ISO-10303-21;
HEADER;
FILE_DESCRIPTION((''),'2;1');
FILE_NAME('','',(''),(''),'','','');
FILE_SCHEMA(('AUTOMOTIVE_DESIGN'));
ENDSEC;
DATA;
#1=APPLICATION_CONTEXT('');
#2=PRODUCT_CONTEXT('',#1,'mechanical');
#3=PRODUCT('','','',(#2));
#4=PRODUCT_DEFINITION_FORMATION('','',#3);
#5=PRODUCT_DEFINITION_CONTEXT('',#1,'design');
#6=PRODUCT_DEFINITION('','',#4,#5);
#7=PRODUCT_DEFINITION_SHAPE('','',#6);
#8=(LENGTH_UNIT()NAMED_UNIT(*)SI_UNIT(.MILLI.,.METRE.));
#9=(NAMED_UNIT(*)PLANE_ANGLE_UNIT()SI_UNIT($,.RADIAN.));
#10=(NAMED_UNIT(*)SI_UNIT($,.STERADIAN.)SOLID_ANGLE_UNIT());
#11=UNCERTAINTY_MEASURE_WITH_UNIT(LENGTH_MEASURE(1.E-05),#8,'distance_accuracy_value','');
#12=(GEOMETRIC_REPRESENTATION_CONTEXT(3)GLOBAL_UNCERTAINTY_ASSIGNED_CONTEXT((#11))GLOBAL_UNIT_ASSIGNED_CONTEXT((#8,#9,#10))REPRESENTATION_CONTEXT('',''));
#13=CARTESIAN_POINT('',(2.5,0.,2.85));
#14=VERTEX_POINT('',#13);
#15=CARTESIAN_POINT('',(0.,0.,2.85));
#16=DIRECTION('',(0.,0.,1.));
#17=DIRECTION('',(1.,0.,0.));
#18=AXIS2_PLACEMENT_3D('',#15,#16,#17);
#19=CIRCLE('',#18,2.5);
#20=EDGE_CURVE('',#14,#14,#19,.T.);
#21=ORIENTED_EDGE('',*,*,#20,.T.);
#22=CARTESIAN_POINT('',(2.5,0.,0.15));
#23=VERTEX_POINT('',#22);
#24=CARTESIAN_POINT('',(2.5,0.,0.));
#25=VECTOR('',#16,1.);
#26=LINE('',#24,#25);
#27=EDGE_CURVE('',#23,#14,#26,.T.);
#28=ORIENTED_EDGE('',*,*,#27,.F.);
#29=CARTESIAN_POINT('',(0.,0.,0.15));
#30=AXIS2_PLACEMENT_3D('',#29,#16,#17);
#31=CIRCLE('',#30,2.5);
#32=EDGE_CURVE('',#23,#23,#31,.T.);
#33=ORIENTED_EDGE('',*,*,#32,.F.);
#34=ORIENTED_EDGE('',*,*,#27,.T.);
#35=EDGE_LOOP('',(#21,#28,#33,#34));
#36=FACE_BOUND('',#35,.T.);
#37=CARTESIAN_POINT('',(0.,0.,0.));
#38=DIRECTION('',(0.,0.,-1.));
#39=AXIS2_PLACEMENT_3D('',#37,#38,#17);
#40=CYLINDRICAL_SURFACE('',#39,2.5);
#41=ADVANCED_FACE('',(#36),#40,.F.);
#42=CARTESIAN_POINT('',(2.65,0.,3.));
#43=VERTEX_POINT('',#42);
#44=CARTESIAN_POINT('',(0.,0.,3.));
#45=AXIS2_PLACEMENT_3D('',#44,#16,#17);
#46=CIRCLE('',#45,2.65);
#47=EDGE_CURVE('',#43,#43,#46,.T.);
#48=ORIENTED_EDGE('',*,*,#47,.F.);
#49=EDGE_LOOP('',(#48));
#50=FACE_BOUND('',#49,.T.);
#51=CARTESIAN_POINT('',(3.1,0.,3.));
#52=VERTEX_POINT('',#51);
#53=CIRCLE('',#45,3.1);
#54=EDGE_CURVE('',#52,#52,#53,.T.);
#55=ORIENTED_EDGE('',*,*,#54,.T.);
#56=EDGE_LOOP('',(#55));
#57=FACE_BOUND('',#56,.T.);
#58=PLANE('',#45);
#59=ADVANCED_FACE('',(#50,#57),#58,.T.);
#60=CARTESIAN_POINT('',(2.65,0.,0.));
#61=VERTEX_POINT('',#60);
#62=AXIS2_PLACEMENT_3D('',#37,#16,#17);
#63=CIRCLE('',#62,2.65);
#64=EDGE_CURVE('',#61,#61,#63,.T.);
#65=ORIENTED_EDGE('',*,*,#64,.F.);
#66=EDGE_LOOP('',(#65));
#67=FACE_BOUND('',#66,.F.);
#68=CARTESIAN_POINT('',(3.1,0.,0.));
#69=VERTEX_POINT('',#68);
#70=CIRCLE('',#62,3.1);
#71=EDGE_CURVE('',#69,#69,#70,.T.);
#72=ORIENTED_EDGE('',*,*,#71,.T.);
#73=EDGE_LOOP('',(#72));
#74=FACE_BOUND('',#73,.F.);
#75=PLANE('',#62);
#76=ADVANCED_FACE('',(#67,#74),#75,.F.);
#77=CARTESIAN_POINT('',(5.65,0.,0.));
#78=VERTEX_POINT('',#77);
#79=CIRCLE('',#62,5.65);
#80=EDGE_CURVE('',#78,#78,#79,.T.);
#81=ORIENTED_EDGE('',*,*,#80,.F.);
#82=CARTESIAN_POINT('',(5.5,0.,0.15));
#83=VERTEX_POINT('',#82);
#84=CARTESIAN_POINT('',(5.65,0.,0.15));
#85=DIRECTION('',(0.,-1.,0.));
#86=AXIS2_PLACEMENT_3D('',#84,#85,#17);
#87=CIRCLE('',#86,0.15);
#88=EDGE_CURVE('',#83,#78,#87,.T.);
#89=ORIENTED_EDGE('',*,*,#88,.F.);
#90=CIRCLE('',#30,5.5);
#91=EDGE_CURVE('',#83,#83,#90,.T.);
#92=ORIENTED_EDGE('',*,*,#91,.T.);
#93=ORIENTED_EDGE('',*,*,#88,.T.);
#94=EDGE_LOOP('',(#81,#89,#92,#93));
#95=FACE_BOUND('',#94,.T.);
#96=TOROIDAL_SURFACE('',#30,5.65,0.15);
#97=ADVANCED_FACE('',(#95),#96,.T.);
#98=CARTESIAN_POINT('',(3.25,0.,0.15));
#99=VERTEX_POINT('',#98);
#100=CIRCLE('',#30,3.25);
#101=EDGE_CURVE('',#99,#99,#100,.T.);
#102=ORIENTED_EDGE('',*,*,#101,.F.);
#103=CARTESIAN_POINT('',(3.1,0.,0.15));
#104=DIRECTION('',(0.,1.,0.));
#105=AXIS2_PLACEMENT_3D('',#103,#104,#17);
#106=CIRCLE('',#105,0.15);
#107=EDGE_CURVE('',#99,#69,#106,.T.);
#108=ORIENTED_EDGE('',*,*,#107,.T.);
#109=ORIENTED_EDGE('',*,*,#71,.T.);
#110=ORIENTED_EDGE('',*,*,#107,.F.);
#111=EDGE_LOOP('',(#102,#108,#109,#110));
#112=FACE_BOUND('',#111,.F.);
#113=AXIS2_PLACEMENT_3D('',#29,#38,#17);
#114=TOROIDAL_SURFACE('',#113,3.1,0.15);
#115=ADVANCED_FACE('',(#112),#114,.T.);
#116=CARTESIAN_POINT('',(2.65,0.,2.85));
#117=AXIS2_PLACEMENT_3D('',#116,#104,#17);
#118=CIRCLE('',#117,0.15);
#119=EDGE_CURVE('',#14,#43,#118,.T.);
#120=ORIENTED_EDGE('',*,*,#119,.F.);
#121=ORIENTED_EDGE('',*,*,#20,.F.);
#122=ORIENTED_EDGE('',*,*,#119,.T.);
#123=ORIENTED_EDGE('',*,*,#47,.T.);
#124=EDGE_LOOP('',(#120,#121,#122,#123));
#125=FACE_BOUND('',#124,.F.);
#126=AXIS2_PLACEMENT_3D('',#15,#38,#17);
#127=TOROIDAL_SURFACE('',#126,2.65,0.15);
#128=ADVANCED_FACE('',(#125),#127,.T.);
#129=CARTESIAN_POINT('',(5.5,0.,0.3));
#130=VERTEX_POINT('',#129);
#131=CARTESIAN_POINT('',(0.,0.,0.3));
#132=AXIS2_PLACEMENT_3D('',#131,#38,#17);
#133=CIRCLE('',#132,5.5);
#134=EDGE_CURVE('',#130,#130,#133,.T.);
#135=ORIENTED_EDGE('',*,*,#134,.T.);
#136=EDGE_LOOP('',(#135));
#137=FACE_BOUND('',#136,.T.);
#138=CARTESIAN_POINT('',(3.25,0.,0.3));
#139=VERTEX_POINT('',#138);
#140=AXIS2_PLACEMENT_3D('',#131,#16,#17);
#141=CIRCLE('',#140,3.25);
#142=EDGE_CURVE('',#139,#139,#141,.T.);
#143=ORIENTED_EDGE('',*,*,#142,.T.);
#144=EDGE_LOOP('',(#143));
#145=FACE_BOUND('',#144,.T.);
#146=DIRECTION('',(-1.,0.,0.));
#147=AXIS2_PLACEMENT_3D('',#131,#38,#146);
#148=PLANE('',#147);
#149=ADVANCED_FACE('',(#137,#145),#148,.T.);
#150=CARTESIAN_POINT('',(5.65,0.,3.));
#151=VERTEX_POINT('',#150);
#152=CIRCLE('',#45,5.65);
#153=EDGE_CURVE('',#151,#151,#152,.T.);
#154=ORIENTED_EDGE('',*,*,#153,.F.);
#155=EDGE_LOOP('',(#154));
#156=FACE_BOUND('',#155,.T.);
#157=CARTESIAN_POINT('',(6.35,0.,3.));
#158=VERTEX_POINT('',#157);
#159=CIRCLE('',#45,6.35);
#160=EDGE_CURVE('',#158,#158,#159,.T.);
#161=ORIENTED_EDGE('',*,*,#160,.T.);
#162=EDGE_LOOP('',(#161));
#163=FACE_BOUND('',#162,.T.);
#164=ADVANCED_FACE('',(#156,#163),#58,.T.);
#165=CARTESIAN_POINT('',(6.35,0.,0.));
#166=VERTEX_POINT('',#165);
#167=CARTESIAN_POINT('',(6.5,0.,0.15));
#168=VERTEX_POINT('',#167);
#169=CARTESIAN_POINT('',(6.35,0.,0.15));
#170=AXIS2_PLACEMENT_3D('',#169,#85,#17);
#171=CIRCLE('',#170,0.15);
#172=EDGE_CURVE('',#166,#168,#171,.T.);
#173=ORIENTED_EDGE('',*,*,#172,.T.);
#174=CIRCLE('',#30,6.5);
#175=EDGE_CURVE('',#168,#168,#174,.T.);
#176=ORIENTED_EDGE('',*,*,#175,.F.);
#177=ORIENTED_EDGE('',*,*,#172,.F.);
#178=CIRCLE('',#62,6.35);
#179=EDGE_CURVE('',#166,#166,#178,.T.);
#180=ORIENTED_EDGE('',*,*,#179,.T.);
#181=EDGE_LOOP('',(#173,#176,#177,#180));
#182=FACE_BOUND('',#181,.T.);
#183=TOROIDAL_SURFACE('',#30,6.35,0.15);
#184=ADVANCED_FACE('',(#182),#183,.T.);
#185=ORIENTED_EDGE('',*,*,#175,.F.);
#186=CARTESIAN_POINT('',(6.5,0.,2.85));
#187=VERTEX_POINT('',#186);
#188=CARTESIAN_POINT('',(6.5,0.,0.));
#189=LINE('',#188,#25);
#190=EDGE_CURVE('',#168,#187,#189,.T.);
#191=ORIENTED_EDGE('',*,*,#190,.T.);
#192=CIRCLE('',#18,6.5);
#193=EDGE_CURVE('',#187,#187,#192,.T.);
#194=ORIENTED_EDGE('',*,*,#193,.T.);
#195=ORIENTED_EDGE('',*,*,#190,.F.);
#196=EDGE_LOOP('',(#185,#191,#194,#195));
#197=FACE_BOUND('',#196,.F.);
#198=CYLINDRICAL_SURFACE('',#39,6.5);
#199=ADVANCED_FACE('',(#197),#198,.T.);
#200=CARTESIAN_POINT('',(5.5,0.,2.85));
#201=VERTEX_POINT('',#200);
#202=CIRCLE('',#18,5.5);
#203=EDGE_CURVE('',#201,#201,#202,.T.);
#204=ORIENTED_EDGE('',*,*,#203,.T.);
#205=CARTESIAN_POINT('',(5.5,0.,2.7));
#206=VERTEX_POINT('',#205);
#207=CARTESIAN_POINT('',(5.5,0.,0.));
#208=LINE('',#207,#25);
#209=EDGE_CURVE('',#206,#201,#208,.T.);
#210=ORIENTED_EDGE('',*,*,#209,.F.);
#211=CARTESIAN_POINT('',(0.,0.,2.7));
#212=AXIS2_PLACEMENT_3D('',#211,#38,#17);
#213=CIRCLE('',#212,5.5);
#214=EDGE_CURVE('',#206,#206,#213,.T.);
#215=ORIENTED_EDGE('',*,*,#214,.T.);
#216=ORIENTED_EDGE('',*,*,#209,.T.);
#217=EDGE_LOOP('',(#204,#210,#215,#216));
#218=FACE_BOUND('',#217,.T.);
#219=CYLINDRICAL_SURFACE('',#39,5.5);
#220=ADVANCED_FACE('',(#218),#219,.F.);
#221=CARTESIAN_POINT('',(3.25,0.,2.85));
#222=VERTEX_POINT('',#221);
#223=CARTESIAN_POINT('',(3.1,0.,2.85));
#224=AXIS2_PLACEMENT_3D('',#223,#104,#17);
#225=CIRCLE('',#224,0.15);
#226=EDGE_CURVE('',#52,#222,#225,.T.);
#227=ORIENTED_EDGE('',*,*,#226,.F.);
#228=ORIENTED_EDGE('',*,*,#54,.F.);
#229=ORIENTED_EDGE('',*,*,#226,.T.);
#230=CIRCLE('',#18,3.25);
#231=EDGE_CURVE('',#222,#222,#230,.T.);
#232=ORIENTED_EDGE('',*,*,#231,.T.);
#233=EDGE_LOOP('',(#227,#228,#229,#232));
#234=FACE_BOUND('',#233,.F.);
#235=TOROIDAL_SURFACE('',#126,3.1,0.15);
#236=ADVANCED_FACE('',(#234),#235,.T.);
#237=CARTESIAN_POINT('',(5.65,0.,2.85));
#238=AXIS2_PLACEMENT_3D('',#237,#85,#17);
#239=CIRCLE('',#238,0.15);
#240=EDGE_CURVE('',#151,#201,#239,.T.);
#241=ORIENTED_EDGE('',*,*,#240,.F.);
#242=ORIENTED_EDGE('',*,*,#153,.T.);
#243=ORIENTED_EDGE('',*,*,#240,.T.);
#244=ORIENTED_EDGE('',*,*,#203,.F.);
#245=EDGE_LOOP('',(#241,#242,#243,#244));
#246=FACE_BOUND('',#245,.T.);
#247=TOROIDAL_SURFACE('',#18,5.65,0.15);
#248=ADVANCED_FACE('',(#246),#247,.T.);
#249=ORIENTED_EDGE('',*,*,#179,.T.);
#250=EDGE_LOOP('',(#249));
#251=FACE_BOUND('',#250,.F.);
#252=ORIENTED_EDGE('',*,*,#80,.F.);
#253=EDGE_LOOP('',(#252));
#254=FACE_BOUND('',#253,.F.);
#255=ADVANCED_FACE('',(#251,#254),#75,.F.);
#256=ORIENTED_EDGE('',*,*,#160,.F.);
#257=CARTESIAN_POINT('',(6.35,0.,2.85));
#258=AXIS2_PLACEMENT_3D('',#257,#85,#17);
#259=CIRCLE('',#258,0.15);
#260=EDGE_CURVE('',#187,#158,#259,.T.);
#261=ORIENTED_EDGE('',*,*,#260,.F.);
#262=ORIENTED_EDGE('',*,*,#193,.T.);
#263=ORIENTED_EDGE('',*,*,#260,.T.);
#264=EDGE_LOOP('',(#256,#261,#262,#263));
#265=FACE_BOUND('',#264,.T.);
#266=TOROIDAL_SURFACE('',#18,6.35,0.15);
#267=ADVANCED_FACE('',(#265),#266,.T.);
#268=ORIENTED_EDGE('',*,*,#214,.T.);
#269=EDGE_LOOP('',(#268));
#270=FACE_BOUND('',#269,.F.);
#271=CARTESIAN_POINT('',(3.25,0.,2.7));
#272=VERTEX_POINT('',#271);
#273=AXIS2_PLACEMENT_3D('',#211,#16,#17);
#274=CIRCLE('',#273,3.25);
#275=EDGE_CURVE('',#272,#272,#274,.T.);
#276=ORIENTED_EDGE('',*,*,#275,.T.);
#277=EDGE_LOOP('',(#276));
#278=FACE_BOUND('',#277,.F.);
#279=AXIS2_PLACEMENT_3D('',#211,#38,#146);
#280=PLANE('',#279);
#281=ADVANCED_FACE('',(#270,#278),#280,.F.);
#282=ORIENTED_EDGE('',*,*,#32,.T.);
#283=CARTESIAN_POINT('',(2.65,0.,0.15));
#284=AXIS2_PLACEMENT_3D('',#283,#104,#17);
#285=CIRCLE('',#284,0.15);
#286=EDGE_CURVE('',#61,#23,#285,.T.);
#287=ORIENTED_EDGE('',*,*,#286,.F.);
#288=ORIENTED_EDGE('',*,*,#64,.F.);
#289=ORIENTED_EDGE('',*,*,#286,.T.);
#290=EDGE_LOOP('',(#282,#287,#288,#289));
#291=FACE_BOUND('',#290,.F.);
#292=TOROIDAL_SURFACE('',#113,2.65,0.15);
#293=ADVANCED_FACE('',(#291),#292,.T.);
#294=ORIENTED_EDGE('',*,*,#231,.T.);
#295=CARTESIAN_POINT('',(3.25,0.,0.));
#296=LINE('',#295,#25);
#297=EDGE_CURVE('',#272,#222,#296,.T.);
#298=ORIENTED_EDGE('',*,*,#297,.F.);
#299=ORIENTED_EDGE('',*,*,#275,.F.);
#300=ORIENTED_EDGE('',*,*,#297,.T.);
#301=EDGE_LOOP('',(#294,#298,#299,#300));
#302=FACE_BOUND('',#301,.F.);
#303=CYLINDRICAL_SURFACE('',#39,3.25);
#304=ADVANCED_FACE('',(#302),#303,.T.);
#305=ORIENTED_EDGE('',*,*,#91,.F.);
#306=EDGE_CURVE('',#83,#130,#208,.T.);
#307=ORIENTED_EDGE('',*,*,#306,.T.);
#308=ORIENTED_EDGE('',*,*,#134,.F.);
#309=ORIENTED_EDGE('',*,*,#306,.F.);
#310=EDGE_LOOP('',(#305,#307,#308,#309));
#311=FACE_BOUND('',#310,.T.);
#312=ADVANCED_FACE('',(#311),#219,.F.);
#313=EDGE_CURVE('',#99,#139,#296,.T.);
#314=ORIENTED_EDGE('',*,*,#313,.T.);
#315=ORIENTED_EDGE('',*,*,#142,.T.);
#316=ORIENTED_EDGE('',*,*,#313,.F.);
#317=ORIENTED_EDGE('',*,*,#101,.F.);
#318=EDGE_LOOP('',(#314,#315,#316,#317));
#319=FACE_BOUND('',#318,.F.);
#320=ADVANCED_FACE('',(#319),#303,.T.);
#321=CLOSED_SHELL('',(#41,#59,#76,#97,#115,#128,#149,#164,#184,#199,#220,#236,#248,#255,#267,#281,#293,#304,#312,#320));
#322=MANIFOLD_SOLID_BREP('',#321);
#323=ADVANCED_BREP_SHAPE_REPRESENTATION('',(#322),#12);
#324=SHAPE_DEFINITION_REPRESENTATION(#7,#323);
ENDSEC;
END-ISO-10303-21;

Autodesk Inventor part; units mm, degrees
ref_plane "YZ Plane" through (0, 0, 0) normal (1, 0, 0) x (0, 1, 0)
ref_plane "XZ Plane" through (0, 0, 0) normal (0, 1, 0) x (-1, 0, 0)
sketch "Boceto1" plane through (0, 0, 0) normal (0, 0, 1) x (1, 0, 0)
  circle A0 centre (0, 0) radius 6.5
  circle A1 centre (0, 0) radius 2.5
  circle A2 centre (0, 0) radius 5.5
  circle A3 centre (0, 0) radius 3.25
  dimension "d0" = 13
  dimension "d1" = 5
  dimension "d2" = 11
  dimension "d3" = 6.5
extrude "Extrusión1" add sketch "Boceto1" along normal blind 3
ref_plane "Plano de trabajo1" through (0, 0, 0.3) normal (0, 0, -1) x (-1, 0, 0)
sketch "Boceto2" plane through (0, 0, 0.3) normal (0, 0, -1) x (-1, 0, 0)
  circle A0 centre (0, 0) radius 3.25
  circle A1 centre (0, 0) radius 5.5
extrude "Extrusión2" add sketch "Boceto2" against normal blind 2.4
fillet "Empalme1" radius 0.15 8 edges at (-6.5, 0, 3) (-6.5, 0, 0) (-5.5, 0, 3) (-3.25, 0, 3) (-2.5, 0, 3) (-2.5, 0, 0) (-3.25, 0, 0) (-5.5, 0, 0)
properties part number "rodamiento" material "Aluminio 6061"
